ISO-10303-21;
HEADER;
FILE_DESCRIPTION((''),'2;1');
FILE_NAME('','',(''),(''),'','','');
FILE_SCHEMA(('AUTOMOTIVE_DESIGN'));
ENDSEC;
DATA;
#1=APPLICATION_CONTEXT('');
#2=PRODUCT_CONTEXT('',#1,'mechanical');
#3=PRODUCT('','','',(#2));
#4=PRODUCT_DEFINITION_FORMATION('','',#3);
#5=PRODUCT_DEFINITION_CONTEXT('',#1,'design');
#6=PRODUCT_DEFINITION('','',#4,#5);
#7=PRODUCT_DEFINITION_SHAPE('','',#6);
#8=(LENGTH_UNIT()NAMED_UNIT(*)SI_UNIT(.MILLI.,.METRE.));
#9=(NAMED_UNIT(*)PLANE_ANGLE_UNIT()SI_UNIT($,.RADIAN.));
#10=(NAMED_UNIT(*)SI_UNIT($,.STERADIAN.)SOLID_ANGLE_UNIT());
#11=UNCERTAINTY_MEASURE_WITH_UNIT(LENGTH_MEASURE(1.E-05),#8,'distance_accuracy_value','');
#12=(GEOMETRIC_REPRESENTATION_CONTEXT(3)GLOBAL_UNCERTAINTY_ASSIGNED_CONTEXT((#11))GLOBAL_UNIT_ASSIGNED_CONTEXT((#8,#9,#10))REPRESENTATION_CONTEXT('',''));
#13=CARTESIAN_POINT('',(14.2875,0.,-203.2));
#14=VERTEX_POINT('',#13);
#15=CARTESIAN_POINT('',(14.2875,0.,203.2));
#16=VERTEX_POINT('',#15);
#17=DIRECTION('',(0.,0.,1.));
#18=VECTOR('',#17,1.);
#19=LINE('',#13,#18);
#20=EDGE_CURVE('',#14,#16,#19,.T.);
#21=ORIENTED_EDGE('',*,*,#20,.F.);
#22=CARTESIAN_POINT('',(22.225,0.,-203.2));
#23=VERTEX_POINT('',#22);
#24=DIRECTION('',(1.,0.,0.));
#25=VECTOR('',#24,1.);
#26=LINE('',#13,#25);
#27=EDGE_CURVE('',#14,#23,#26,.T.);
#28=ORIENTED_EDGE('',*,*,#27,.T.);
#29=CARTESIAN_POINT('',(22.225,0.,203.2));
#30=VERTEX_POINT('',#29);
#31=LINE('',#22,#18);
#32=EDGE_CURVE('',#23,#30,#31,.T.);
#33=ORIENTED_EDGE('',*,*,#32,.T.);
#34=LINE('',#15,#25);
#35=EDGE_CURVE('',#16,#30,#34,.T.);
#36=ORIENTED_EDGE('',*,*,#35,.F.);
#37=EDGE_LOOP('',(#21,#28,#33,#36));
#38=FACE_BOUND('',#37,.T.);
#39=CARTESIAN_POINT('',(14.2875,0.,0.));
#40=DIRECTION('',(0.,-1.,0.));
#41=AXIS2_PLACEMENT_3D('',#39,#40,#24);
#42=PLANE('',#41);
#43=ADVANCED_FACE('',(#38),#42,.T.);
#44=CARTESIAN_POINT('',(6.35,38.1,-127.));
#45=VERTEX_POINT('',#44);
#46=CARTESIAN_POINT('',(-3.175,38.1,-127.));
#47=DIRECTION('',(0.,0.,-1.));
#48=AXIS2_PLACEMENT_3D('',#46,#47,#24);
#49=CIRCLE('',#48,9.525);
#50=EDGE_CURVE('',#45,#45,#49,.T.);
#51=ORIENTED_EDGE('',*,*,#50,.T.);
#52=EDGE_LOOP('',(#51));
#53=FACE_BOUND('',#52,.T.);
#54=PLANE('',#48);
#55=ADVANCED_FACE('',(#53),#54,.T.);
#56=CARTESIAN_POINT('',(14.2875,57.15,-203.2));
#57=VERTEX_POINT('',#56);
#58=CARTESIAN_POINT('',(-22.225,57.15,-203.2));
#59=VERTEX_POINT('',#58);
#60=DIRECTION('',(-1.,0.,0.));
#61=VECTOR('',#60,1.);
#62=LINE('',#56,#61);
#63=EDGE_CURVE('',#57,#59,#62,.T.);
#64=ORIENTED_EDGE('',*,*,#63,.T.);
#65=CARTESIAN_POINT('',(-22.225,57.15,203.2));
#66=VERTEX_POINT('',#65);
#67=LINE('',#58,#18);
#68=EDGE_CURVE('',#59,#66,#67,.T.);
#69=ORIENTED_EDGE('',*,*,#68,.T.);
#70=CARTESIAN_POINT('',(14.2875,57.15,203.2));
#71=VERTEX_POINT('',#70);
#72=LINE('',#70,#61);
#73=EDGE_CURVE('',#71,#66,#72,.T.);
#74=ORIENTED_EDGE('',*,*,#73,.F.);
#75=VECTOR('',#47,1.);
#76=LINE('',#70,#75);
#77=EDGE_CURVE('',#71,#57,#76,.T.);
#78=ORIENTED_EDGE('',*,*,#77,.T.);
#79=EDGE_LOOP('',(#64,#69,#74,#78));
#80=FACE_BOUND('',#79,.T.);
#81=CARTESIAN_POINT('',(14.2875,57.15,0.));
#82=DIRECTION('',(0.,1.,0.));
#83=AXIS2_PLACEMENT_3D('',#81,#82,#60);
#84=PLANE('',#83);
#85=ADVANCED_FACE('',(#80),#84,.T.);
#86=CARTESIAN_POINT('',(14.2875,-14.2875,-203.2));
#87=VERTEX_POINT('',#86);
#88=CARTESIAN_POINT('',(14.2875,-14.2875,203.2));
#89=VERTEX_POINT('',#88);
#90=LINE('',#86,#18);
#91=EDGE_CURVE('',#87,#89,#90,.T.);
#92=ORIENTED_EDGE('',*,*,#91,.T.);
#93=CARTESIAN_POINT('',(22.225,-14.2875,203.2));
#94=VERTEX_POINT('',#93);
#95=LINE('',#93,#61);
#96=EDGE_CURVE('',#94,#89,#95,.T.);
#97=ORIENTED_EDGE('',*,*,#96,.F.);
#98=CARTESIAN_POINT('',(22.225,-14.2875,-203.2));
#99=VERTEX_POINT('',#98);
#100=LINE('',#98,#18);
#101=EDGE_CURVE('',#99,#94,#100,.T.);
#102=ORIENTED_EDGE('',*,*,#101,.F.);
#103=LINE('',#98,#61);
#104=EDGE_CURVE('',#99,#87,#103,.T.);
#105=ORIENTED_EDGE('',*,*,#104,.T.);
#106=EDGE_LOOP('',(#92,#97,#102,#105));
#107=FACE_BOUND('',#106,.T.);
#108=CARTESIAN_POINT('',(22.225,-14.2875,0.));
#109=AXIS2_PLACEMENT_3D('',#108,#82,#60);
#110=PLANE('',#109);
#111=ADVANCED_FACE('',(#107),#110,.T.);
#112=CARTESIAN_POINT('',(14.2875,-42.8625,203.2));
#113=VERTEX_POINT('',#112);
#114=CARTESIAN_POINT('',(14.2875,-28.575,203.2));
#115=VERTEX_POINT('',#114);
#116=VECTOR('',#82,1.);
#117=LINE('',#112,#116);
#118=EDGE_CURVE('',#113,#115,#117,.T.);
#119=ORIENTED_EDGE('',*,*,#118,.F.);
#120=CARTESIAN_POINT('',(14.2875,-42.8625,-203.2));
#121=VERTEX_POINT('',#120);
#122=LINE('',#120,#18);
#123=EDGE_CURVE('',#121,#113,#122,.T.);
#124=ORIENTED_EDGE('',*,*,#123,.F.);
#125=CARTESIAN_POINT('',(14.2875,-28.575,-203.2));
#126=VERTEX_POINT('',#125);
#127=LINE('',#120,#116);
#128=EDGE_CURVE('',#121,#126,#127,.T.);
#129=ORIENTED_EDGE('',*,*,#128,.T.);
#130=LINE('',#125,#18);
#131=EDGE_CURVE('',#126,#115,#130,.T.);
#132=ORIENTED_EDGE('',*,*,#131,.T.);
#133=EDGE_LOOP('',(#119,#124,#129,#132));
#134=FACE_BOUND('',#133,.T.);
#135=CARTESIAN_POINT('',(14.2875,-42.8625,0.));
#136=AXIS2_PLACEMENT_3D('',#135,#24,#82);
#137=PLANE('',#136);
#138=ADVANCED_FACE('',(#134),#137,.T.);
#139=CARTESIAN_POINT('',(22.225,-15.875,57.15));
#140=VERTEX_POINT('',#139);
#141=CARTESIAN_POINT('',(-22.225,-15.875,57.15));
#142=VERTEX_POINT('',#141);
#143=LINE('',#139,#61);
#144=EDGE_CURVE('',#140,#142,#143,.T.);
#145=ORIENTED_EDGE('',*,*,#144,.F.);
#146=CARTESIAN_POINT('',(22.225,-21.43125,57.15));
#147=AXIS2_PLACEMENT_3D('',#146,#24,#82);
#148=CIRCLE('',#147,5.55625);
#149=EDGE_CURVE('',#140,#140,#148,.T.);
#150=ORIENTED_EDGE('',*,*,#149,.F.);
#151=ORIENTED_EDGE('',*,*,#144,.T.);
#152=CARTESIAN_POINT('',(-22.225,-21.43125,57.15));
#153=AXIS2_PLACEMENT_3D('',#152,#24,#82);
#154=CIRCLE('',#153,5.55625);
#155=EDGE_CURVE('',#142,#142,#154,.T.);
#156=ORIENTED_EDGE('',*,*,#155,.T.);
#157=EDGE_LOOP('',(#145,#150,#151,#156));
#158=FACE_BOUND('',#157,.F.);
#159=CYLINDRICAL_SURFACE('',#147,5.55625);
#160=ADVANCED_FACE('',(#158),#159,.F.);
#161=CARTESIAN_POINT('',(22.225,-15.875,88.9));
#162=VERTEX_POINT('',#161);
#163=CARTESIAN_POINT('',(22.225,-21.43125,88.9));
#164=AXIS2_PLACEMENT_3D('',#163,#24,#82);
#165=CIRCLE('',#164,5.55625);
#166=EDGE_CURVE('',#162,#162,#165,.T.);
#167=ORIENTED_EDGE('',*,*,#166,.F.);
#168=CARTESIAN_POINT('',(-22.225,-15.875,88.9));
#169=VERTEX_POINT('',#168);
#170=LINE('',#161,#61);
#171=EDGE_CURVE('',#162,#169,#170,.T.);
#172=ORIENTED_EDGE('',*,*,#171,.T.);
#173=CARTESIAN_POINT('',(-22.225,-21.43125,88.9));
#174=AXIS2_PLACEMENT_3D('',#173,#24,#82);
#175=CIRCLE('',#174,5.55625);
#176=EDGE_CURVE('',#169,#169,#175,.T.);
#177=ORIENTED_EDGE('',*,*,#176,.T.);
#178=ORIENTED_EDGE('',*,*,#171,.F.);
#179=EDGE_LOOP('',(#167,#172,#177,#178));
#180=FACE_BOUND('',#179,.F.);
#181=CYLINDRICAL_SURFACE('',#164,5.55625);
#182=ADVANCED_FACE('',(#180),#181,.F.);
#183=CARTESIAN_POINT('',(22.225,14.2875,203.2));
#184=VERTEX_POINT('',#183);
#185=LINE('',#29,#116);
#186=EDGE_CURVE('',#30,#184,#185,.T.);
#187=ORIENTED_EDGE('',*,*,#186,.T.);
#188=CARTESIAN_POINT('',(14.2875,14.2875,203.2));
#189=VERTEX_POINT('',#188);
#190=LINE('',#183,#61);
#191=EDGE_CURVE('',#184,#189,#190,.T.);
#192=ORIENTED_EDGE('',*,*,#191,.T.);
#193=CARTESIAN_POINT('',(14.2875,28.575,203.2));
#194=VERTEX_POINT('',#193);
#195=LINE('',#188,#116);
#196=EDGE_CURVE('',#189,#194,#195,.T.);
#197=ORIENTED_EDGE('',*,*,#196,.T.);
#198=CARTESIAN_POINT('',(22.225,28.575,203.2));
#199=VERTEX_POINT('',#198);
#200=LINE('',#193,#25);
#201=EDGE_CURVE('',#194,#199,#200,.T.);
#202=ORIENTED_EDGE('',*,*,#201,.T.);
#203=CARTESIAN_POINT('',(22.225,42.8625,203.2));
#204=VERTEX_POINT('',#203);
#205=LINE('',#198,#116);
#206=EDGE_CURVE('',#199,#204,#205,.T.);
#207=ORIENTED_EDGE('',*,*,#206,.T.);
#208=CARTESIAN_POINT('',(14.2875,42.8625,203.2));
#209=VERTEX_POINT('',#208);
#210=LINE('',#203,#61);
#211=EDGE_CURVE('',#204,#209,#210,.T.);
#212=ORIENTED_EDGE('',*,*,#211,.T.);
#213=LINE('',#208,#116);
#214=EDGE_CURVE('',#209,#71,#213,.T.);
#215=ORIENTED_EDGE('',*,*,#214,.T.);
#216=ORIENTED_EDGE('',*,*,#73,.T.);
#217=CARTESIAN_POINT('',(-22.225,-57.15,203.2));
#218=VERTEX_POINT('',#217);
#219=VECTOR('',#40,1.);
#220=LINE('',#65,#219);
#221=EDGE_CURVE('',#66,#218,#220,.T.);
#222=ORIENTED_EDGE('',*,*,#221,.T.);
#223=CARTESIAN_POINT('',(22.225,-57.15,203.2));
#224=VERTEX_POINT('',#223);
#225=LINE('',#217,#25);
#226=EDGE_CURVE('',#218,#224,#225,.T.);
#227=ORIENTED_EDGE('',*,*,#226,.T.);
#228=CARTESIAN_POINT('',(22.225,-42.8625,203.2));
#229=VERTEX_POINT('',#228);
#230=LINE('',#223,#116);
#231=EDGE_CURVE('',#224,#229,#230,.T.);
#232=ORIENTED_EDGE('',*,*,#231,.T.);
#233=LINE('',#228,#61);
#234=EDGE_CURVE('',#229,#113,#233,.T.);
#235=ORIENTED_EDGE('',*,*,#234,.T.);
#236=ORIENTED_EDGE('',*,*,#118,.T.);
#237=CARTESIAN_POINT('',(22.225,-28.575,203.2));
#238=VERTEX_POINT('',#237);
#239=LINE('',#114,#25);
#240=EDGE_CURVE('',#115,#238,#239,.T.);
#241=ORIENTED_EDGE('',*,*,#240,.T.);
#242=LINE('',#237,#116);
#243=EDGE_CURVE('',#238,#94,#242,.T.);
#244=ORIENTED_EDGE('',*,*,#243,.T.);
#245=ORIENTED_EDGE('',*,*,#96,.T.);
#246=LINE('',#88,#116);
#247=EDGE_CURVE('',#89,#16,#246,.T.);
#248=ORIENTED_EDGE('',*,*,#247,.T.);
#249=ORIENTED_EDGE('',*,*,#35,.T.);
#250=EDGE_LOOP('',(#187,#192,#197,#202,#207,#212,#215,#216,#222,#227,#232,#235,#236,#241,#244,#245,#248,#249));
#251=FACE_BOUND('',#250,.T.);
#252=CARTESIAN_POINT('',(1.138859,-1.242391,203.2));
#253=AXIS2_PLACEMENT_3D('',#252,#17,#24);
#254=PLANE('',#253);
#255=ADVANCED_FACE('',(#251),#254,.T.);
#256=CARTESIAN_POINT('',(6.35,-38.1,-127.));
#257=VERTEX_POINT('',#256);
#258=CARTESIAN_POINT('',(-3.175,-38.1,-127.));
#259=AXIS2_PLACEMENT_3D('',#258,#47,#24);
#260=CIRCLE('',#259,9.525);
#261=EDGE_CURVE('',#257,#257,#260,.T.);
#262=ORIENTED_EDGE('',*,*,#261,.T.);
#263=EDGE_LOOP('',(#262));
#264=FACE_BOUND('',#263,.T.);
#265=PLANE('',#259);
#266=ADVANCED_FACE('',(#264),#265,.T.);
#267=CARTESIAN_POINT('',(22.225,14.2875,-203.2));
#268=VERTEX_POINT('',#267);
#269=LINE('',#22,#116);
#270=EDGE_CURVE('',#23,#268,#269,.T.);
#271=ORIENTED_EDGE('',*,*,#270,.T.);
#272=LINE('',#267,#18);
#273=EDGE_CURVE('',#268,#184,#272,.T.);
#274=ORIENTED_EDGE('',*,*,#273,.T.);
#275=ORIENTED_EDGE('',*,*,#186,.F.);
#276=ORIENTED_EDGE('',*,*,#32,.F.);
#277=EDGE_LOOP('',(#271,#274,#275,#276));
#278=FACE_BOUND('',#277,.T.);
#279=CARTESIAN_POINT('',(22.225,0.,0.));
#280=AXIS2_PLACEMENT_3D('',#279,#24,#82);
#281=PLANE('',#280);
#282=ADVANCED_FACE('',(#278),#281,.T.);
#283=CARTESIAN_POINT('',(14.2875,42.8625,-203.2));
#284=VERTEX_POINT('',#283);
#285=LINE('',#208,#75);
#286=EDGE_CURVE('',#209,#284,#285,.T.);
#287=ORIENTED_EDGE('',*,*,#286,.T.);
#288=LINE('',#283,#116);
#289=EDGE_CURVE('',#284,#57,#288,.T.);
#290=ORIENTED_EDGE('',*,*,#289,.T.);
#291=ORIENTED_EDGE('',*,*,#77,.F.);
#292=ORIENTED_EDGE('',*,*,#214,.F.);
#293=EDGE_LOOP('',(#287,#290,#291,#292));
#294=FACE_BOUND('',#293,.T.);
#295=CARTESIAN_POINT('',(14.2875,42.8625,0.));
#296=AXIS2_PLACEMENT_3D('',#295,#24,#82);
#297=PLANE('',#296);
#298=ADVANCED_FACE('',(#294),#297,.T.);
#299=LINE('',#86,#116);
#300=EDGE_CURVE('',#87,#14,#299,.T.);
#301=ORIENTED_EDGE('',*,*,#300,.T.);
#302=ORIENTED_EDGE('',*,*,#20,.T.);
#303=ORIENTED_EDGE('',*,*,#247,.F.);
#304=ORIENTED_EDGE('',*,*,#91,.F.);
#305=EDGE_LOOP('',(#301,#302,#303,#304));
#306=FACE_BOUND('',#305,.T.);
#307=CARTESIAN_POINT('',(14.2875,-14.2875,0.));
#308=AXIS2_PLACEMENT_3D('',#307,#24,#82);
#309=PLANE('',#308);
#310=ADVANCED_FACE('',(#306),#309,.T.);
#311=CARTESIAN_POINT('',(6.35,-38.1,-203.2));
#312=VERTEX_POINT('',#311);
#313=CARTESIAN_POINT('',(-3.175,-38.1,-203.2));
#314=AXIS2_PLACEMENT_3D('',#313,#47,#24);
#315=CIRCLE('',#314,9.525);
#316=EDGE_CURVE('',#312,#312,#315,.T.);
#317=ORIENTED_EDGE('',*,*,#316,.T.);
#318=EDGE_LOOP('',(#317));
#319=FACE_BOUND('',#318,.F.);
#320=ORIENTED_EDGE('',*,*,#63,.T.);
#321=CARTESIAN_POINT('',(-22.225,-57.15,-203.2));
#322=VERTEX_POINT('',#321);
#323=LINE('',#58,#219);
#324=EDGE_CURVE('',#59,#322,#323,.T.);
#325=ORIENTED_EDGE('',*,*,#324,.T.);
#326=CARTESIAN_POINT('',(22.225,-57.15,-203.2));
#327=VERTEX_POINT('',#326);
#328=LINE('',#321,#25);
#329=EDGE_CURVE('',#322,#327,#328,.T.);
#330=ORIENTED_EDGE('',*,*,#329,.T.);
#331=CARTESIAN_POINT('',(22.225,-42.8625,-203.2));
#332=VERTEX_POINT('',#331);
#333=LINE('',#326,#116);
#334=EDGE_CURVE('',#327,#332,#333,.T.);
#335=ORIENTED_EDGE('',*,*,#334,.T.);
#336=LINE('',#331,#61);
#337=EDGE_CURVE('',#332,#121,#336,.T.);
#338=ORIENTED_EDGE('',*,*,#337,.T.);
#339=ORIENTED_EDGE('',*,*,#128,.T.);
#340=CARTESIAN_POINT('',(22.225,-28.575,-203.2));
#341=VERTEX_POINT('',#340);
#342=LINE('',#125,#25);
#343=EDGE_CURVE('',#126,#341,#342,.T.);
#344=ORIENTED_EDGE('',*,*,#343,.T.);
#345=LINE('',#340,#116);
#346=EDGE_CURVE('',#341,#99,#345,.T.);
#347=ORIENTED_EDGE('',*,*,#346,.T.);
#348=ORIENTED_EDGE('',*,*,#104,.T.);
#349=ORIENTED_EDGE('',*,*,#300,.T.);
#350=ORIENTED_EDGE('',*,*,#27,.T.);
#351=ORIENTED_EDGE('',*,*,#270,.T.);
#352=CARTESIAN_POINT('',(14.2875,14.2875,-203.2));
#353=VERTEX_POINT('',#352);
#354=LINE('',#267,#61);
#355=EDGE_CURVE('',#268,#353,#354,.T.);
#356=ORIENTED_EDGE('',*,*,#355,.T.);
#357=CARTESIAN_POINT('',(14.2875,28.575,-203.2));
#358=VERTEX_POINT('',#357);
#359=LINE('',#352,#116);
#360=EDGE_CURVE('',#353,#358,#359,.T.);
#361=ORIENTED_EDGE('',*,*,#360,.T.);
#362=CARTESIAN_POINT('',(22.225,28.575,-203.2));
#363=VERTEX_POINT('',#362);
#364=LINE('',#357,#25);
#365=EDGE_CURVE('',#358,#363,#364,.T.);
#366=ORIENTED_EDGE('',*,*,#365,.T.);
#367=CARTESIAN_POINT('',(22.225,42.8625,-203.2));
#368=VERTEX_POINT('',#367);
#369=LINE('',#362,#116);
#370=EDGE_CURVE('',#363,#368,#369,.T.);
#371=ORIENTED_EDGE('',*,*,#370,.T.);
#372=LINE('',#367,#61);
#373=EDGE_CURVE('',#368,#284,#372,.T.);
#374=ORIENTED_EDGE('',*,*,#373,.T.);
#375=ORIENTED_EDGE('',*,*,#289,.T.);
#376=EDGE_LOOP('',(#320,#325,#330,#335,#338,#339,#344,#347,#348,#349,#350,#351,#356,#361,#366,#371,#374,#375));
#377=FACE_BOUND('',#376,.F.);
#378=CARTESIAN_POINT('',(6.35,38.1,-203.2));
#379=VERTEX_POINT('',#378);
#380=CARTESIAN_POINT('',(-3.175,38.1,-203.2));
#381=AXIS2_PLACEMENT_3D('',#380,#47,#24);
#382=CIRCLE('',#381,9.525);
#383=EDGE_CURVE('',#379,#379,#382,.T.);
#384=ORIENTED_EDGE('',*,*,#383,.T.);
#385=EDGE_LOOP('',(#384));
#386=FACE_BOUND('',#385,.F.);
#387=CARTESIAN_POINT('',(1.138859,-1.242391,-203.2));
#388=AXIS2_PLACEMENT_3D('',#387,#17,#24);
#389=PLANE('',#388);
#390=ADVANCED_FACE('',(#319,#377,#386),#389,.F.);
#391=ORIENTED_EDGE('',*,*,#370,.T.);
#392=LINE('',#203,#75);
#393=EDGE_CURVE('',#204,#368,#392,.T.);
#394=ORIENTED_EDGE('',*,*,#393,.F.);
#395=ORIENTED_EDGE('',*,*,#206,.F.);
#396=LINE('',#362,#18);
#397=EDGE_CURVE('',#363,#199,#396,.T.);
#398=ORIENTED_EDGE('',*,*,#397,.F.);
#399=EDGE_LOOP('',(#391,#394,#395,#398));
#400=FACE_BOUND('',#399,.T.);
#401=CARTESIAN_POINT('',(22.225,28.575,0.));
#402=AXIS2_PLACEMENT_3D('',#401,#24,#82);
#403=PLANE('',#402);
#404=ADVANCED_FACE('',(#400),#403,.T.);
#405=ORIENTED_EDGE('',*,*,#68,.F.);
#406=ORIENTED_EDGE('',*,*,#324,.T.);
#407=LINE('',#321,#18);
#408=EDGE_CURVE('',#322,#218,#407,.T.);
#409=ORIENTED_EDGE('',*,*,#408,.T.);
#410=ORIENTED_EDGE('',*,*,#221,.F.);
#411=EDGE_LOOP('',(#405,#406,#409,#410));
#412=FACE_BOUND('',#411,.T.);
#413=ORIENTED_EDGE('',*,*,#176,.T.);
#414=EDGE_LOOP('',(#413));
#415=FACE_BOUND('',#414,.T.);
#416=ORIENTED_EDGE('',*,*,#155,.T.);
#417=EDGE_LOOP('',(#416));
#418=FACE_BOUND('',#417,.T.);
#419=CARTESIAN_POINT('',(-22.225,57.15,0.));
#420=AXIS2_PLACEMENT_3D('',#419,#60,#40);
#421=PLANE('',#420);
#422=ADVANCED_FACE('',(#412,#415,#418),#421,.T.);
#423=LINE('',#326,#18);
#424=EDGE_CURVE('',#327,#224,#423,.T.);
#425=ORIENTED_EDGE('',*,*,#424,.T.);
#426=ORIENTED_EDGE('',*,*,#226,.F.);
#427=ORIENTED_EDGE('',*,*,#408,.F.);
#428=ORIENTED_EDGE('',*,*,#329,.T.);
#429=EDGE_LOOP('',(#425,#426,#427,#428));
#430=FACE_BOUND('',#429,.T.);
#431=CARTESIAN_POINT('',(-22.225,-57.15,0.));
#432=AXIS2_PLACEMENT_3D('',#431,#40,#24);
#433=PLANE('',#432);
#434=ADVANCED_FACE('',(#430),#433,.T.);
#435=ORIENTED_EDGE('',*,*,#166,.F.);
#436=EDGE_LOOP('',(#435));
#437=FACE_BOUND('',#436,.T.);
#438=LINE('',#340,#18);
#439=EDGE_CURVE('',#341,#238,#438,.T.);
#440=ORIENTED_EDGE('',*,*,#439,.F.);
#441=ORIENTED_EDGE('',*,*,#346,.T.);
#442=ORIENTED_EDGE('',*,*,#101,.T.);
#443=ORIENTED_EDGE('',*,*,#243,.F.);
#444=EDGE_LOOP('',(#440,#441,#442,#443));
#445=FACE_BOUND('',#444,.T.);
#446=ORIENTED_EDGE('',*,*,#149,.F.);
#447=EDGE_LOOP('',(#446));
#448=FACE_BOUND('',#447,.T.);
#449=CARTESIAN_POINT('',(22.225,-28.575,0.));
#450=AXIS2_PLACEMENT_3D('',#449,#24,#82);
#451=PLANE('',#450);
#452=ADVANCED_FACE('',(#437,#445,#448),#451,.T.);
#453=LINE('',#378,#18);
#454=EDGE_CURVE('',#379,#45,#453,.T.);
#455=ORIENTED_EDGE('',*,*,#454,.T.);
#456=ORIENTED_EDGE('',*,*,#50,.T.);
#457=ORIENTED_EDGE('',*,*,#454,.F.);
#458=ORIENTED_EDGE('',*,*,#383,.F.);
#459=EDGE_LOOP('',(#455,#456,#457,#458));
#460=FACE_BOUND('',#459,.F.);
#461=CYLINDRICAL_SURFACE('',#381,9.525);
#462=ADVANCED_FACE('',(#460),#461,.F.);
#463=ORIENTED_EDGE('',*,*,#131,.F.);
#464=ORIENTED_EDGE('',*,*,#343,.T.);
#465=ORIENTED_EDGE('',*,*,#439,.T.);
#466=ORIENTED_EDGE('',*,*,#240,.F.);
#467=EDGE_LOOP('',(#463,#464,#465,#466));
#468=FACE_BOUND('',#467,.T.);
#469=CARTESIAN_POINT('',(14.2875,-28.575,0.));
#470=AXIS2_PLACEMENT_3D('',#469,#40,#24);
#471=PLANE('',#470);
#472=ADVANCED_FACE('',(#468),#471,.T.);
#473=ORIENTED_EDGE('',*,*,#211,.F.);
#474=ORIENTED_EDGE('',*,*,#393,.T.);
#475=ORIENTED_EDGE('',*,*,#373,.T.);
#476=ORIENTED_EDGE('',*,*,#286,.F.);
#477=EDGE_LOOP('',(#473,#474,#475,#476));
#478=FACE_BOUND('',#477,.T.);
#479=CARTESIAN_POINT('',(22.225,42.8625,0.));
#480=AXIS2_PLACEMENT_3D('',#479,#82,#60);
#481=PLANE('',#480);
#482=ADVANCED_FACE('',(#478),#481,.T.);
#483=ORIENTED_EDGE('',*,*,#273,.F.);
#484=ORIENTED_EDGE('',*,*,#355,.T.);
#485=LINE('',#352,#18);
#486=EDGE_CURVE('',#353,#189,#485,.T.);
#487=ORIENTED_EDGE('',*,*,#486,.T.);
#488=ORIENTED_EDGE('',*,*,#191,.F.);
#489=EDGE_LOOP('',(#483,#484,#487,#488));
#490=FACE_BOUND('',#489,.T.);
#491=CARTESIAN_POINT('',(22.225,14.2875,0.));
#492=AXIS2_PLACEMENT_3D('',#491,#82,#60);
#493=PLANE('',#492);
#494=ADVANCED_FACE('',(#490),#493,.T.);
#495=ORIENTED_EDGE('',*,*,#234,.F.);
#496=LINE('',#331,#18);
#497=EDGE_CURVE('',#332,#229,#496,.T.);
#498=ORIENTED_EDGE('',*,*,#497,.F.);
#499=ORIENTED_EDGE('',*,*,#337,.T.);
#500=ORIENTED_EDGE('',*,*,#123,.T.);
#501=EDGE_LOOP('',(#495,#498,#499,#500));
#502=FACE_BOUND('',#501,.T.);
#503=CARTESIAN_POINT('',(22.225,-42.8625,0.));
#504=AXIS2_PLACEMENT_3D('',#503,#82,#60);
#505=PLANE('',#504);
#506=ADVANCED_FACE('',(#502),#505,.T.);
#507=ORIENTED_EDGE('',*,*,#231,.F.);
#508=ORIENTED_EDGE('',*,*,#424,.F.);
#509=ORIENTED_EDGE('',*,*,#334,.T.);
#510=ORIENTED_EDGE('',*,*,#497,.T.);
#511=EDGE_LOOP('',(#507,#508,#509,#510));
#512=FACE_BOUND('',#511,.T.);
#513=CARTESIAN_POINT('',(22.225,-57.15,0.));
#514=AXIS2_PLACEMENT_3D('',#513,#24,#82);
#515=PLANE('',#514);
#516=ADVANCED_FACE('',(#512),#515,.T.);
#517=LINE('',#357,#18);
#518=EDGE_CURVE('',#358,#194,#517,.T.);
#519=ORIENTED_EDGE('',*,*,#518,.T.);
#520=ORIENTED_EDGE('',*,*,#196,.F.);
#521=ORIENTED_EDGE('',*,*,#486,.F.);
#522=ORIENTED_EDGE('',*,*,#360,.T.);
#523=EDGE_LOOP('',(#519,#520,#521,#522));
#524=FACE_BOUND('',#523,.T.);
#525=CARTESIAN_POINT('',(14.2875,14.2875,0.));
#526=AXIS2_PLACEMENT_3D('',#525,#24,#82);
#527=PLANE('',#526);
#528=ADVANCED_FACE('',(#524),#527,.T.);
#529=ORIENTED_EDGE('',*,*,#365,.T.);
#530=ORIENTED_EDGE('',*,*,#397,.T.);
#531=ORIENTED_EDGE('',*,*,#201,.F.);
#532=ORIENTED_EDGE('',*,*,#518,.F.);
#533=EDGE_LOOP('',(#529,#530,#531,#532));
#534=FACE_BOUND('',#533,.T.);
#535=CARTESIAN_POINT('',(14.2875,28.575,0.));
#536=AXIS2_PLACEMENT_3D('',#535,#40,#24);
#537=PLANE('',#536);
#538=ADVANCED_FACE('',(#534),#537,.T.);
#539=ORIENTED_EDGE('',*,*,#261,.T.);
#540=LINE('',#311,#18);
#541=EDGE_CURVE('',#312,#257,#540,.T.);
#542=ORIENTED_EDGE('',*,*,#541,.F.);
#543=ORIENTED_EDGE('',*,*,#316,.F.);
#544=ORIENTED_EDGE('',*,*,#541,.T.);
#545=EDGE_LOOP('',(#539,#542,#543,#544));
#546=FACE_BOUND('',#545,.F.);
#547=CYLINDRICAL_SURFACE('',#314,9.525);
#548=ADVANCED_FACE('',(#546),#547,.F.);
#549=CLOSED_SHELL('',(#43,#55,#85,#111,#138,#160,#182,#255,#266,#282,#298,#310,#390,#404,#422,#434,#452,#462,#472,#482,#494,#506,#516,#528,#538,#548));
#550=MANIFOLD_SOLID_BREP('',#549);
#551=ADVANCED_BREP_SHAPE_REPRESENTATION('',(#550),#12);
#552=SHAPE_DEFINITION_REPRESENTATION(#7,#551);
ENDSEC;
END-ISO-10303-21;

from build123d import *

# Parameters (mm, degrees)
F1_DEPTH = 203.2
F2_R     = 5.55625
F3_DEPTH = 44.451
F4_R     = 9.525
F5_DEPTH = 76.2


with BuildPart() as f1:
    # F0 (on Top) → F1 (new body, symmetric)
    with BuildSketch(Plane.XY):
        Polygon((14.2875, 57.15), (-22.225, 57.15), (-22.225, -57.15), (22.225, -57.15), (22.225, -42.8625), (14.2875, -42.8625), (14.2875, -28.575), (22.225, -28.575), (22.225, -14.2875), (14.2875, -14.2875), (14.2875, 0), (22.225, 0), (22.225, 14.2875), (14.2875, 14.2875), (14.2875, 28.575), (22.225, 28.575), (22.225, 42.8625), (14.2875, 42.8625), align=None)
    extrude(amount=F1_DEPTH, both=True)

    # F2 (on face) → F3 (cut, through all)
    with BuildSketch(Plane.YZ.offset(22.225)):
        with Locations((-21.43125, 88.9)):
            Circle(F2_R)
        with Locations((-21.43125, 57.15)):
            Circle(F2_R)
    extrude(amount=-F3_DEPTH, mode=Mode.SUBTRACT)

    # F4 (on face) → F5 (cut)
    with BuildSketch(Plane(origin=(0, 0, -203.2), x_dir=(1, 0, 0), z_dir=(0, 0, -1))):
        with Locations((-3.175, -38.1)):
            Circle(F4_R)
        with Locations((-3.175, 38.1)):
            Circle(F4_R)
    extrude(amount=-F5_DEPTH, mode=Mode.SUBTRACT)


solid = f1.part
